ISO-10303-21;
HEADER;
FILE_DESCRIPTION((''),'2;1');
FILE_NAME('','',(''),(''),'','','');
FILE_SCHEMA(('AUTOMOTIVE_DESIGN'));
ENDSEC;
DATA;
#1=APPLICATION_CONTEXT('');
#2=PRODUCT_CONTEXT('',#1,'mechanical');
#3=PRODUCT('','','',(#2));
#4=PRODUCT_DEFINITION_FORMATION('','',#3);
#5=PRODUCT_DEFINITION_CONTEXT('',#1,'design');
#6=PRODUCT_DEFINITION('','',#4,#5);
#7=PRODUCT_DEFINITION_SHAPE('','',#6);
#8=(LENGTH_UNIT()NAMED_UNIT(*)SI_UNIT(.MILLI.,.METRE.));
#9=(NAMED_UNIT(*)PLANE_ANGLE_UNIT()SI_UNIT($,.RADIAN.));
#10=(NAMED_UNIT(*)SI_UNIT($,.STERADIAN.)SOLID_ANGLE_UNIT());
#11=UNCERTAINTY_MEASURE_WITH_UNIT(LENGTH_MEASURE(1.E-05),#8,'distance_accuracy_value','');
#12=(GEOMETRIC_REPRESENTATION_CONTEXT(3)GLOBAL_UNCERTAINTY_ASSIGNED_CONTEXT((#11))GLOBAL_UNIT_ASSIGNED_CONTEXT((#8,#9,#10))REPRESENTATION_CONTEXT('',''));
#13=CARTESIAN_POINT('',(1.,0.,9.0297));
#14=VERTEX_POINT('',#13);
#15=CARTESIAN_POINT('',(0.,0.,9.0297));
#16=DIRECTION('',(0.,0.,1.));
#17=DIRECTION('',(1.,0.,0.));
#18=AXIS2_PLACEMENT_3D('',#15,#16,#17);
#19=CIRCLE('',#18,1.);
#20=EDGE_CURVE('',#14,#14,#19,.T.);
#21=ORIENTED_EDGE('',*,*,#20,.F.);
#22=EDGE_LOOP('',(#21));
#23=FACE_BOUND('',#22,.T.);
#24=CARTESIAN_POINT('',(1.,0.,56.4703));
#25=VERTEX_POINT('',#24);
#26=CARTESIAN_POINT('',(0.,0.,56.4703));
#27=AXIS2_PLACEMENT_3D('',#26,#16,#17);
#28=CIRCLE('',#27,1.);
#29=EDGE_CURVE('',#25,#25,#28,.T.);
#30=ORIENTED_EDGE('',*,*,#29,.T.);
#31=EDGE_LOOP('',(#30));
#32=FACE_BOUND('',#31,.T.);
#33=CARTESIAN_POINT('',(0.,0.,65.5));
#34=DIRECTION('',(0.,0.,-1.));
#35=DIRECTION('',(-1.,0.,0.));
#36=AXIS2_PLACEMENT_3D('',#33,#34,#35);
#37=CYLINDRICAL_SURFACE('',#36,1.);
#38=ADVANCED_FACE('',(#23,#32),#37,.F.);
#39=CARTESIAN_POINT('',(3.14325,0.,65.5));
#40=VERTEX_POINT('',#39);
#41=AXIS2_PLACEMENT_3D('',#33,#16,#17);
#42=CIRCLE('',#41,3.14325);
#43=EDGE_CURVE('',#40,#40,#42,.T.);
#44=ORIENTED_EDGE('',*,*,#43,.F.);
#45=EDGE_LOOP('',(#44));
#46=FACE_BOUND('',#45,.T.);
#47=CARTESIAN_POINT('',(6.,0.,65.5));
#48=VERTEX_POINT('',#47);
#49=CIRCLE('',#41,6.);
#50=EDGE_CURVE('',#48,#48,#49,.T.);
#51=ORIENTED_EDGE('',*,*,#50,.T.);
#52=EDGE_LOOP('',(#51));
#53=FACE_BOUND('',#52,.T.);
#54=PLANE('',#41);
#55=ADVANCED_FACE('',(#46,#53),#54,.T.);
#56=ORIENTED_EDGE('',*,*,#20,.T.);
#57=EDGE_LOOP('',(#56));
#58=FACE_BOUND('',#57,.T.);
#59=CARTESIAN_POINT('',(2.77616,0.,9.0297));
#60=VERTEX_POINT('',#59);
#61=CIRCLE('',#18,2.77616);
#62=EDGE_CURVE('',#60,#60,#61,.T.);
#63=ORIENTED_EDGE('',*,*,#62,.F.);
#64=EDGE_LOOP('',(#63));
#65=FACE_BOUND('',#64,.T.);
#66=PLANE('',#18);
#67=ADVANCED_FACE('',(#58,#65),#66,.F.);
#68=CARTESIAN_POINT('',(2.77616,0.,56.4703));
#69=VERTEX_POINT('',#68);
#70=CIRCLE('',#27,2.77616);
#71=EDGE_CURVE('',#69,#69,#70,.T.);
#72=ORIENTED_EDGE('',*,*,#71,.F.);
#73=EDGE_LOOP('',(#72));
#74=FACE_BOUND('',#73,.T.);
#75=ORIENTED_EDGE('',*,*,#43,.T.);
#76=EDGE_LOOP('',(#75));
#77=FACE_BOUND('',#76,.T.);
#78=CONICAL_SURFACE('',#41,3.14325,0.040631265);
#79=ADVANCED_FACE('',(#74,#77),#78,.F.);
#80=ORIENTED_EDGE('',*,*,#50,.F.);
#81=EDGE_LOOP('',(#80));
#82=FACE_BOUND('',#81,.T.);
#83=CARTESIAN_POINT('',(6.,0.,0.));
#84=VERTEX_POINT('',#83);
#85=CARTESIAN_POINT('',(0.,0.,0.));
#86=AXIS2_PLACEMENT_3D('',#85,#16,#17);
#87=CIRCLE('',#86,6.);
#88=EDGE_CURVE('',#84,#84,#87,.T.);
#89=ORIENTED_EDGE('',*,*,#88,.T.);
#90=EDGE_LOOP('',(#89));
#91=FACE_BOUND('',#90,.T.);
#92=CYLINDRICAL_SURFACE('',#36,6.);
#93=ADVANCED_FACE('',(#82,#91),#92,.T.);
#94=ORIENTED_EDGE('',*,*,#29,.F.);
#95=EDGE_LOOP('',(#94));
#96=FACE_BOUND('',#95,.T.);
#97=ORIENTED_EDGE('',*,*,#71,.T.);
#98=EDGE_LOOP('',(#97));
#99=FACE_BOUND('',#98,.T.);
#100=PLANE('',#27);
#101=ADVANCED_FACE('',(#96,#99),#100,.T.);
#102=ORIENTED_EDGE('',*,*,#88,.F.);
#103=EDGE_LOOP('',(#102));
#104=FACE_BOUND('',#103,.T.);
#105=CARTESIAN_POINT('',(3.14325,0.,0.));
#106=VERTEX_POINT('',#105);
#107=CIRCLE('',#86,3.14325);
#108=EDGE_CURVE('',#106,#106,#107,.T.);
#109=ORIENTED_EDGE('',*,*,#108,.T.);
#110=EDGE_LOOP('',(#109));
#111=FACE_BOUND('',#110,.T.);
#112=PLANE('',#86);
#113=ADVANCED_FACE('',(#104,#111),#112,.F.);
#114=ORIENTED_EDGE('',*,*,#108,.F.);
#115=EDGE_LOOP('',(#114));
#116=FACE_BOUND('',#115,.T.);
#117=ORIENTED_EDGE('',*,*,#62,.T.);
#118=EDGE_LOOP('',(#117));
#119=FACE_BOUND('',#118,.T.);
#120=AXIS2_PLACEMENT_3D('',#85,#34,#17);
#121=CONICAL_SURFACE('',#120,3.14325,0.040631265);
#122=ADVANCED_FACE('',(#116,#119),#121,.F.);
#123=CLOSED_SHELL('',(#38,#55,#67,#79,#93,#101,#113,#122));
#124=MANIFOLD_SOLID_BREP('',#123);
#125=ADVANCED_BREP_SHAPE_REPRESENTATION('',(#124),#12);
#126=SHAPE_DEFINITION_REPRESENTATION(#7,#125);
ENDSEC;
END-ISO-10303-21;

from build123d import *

# Parameters (mm, degrees)
SKETCH1_R           = 6
BOSS_EXTRUDE1_DEPTH = 65.5
SKETCH2_R           = 1
CUT_EXTRUDE1_DEPTH  = 66.5
SKETCH3_R           = 3.14325
CUT_EXTRUDE2_DEPTH  = 9.0297
CUT_EXTRUDE2_TAPER  = 2.328
SKETCH4_R           = 3.14325
CUT_EXTRUDE3_DEPTH  = 9.0297
CUT_EXTRUDE3_TAPER  = 2.328


with BuildPart() as part:
    # Sketch1 → Boss-Extrude1 (new body)
    with BuildSketch(Plane.XY):
        Circle(SKETCH1_R)
    extrude(amount=BOSS_EXTRUDE1_DEPTH)

    # Sketch2 → Cut-Extrude1 (cut, through all)
    with BuildSketch(Plane.XY):
        Circle(SKETCH2_R)
    extrude(amount=CUT_EXTRUDE1_DEPTH, mode=Mode.SUBTRACT)

    # Sketch3 → Cut-Extrude2 (cut)
    with BuildSketch(Plane.XY):
        Circle(SKETCH3_R)
    extrude(amount=CUT_EXTRUDE2_DEPTH, taper=CUT_EXTRUDE2_TAPER, mode=Mode.SUBTRACT)

    # Sketch4 → Cut-Extrude3 (cut)
    with BuildSketch(Plane.XY.offset(65.5)):
        Circle(SKETCH4_R)
    extrude(amount=-CUT_EXTRUDE3_DEPTH, taper=CUT_EXTRUDE3_TAPER, mode=Mode.SUBTRACT)


solid = part.part
